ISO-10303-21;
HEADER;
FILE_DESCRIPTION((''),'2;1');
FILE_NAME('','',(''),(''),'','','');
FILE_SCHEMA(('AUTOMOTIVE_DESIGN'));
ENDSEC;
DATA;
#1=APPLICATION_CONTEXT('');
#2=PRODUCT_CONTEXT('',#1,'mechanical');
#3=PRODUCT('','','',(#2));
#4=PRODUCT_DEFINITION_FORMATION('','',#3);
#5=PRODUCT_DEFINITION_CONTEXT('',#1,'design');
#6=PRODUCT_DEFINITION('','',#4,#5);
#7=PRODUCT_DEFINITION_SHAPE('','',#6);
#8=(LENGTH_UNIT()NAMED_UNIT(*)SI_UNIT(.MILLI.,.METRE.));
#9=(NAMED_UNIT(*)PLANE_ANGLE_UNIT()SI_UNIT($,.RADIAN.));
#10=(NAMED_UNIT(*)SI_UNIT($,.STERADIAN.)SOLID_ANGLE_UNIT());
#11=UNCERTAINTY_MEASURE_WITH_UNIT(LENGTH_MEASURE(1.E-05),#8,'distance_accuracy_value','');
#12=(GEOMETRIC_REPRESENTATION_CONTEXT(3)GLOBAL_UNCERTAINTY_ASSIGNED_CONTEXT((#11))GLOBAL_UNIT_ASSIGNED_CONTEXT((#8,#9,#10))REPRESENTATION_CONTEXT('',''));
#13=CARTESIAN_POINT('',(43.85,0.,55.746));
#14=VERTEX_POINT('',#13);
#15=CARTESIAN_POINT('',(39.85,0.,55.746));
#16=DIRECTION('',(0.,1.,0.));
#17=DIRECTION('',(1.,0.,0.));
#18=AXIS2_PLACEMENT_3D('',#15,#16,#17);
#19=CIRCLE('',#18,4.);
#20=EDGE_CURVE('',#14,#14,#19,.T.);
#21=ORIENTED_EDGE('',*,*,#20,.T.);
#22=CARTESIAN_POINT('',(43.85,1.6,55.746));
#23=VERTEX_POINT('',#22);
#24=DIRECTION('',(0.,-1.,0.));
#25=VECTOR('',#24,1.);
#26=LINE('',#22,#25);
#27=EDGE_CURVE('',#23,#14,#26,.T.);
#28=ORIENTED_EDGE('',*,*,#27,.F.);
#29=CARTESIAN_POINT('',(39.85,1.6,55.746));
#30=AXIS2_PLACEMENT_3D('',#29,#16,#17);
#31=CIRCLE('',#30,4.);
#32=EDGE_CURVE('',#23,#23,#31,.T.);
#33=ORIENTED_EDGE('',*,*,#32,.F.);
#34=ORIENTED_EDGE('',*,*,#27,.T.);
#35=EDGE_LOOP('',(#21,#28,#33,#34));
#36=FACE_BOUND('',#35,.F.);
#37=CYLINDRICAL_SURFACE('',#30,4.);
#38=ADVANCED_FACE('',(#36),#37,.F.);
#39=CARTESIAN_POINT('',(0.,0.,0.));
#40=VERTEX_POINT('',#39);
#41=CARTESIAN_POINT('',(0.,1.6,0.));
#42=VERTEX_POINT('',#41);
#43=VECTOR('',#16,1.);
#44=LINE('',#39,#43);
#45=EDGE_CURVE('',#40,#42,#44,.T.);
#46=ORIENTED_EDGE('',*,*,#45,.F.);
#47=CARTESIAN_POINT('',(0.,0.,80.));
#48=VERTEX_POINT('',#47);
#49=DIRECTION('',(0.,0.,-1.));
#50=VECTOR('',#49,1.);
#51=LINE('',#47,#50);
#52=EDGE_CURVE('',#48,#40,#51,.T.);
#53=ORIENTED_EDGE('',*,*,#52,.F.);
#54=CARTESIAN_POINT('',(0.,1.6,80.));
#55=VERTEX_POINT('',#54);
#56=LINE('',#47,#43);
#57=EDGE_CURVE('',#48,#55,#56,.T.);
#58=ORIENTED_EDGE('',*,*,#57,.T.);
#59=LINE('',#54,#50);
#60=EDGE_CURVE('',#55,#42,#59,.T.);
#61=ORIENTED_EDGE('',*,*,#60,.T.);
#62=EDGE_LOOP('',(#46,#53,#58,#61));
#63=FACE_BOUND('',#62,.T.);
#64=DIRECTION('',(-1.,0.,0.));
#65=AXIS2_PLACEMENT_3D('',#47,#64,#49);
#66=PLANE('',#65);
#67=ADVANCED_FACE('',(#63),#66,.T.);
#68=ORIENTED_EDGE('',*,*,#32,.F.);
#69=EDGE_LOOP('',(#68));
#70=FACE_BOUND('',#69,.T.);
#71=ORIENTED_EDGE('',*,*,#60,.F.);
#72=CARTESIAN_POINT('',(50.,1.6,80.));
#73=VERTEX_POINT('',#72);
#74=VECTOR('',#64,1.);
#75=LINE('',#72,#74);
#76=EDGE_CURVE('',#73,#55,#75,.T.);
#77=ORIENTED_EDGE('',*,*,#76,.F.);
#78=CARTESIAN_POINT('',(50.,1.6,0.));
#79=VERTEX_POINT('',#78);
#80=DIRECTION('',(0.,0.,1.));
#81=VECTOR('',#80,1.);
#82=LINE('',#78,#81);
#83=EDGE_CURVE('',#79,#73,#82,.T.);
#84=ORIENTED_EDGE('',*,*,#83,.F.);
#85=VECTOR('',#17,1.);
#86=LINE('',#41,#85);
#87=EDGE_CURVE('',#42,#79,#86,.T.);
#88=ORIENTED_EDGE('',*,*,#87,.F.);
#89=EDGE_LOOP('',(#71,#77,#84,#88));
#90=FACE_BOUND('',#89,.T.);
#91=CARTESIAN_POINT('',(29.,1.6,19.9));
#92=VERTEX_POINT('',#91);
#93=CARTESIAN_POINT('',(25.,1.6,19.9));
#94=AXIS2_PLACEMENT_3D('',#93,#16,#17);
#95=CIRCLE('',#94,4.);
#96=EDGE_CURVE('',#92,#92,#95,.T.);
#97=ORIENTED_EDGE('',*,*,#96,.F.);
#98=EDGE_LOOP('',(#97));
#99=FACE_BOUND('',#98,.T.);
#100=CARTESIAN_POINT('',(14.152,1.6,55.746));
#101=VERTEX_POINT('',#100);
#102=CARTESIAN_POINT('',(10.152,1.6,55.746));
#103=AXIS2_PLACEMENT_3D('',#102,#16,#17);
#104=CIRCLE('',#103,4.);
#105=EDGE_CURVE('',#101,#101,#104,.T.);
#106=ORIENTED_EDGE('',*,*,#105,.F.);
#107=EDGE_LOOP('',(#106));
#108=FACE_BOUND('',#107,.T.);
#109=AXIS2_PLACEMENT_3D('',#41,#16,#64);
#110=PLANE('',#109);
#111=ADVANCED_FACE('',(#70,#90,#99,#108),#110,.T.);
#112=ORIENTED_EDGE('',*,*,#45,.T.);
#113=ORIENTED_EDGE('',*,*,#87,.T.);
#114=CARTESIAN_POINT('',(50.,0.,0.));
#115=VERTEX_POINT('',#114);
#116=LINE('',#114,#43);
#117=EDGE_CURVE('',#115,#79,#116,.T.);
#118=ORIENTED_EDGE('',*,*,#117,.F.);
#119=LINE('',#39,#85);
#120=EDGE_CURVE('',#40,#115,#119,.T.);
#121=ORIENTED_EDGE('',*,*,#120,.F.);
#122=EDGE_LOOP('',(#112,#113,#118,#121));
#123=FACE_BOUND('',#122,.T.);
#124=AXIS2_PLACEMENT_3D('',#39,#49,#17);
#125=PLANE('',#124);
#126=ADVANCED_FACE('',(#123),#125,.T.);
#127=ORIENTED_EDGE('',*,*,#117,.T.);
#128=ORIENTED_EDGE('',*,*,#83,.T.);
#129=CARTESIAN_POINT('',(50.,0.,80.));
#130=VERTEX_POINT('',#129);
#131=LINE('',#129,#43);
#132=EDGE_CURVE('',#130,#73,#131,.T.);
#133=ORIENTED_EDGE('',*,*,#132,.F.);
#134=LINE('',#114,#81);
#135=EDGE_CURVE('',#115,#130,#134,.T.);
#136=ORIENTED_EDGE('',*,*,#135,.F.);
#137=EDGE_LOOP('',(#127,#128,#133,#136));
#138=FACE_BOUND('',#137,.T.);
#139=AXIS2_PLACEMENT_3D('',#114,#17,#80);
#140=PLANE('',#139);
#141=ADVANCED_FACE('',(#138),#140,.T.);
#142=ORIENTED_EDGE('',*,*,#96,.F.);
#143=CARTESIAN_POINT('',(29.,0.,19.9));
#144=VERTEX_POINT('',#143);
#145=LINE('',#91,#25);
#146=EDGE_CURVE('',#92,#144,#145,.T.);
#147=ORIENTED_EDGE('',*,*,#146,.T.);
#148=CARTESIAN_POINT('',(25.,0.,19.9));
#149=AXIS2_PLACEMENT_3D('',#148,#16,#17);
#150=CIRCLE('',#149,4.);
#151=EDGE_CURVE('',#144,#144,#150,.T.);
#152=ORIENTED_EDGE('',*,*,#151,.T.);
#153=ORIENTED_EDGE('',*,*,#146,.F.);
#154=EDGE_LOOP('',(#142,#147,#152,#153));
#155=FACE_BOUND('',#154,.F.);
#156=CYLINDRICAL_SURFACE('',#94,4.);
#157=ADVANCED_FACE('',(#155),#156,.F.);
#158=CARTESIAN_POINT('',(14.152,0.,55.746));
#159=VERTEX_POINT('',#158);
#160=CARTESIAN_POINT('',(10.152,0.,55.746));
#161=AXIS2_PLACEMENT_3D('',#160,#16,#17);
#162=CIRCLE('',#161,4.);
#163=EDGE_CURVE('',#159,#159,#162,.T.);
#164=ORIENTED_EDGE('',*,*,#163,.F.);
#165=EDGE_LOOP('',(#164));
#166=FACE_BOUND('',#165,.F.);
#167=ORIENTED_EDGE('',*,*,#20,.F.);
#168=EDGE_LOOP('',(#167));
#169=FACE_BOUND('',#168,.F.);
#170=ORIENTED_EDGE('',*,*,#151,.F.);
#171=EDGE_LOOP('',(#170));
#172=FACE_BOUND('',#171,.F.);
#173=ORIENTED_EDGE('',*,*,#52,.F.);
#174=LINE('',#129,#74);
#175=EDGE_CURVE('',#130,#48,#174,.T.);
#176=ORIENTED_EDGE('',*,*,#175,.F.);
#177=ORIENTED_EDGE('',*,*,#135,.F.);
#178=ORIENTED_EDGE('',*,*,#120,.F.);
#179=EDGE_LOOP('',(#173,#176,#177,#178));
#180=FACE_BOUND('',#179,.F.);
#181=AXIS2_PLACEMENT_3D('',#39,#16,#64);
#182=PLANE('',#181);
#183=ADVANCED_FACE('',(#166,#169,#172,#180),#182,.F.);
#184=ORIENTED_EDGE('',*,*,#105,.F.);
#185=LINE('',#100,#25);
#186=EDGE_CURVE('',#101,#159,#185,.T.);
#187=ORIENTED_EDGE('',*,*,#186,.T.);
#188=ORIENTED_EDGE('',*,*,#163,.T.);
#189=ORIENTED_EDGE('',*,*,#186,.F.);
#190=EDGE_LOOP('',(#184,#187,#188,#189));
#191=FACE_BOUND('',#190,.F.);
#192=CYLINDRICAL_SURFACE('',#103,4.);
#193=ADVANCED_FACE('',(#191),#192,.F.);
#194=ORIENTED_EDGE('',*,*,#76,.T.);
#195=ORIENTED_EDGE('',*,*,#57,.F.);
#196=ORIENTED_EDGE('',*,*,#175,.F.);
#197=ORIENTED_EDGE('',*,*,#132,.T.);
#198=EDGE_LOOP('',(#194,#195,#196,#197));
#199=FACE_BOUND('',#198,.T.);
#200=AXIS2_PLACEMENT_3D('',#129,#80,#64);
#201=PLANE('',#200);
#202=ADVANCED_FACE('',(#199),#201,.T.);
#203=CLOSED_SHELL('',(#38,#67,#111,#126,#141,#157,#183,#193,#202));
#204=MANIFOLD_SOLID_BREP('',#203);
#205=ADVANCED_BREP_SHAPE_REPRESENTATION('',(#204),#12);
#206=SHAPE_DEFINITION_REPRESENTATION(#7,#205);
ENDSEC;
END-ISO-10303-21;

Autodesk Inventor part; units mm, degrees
ref_plane "YZ Plane" through (0, 0, 0) normal (1, 0, 0) x (0, 1, 0)
ref_plane "XZ Plane" through (0, 0, 0) normal (0, 1, 0) x (-1, 0, 0)
ref_plane "XY Plane" through (0, 0, 0) normal (0, 0, 1) x (1, 0, 0)
sketch "Sketch1" plane through (0, 0, 0) normal (0, 1, 0) x (-1, 0, 0)
  line L0 (0, 0) -> (-50, 0)
  line L1 (-50, 0) -> (-50, 80)
  line L2 (-50, 80) -> (0, 80)
  line L3 (0, 80) -> (0, 0)
  dimension "d0" = 50
  dimension "d1" = 80
extrude "Extrusion1" add sketch "Sketch1" along normal blind 1.6
sketch "Sketch2" plane through (0, 1.6, 0) normal (0, 1, 0) x (1, 0, 0)
  circle A0 centre (10.152, -55.746) radius 4
  line L0 (0, 0) -> (0, -80) projected
  line L1 (50, 0) -> (0, 0) projected
  line L2 (0, -80) -> (50, -80) projected
  circle A1 centre (39.85, -55.746) radius 4
  circle A2 centre (25, -19.9) radius 4
  point P0 (25, -80)
  dimension "d4" = 10.152
  dimension "d5" = 8
  dimension "d9" = 24.254
  dimension "d10" = 8
  dimension "d11" = 29.698
  dimension "d12" = 8
  dimension "d13" = 19.9
extrude "Holes for" cut sketch "Sketch2" against normal blind 10
equation "\"d12\" = d10"
properties part number "2020-04-02-10-10401-Outline_ConnectorPCB" material "ABS Plastic"
